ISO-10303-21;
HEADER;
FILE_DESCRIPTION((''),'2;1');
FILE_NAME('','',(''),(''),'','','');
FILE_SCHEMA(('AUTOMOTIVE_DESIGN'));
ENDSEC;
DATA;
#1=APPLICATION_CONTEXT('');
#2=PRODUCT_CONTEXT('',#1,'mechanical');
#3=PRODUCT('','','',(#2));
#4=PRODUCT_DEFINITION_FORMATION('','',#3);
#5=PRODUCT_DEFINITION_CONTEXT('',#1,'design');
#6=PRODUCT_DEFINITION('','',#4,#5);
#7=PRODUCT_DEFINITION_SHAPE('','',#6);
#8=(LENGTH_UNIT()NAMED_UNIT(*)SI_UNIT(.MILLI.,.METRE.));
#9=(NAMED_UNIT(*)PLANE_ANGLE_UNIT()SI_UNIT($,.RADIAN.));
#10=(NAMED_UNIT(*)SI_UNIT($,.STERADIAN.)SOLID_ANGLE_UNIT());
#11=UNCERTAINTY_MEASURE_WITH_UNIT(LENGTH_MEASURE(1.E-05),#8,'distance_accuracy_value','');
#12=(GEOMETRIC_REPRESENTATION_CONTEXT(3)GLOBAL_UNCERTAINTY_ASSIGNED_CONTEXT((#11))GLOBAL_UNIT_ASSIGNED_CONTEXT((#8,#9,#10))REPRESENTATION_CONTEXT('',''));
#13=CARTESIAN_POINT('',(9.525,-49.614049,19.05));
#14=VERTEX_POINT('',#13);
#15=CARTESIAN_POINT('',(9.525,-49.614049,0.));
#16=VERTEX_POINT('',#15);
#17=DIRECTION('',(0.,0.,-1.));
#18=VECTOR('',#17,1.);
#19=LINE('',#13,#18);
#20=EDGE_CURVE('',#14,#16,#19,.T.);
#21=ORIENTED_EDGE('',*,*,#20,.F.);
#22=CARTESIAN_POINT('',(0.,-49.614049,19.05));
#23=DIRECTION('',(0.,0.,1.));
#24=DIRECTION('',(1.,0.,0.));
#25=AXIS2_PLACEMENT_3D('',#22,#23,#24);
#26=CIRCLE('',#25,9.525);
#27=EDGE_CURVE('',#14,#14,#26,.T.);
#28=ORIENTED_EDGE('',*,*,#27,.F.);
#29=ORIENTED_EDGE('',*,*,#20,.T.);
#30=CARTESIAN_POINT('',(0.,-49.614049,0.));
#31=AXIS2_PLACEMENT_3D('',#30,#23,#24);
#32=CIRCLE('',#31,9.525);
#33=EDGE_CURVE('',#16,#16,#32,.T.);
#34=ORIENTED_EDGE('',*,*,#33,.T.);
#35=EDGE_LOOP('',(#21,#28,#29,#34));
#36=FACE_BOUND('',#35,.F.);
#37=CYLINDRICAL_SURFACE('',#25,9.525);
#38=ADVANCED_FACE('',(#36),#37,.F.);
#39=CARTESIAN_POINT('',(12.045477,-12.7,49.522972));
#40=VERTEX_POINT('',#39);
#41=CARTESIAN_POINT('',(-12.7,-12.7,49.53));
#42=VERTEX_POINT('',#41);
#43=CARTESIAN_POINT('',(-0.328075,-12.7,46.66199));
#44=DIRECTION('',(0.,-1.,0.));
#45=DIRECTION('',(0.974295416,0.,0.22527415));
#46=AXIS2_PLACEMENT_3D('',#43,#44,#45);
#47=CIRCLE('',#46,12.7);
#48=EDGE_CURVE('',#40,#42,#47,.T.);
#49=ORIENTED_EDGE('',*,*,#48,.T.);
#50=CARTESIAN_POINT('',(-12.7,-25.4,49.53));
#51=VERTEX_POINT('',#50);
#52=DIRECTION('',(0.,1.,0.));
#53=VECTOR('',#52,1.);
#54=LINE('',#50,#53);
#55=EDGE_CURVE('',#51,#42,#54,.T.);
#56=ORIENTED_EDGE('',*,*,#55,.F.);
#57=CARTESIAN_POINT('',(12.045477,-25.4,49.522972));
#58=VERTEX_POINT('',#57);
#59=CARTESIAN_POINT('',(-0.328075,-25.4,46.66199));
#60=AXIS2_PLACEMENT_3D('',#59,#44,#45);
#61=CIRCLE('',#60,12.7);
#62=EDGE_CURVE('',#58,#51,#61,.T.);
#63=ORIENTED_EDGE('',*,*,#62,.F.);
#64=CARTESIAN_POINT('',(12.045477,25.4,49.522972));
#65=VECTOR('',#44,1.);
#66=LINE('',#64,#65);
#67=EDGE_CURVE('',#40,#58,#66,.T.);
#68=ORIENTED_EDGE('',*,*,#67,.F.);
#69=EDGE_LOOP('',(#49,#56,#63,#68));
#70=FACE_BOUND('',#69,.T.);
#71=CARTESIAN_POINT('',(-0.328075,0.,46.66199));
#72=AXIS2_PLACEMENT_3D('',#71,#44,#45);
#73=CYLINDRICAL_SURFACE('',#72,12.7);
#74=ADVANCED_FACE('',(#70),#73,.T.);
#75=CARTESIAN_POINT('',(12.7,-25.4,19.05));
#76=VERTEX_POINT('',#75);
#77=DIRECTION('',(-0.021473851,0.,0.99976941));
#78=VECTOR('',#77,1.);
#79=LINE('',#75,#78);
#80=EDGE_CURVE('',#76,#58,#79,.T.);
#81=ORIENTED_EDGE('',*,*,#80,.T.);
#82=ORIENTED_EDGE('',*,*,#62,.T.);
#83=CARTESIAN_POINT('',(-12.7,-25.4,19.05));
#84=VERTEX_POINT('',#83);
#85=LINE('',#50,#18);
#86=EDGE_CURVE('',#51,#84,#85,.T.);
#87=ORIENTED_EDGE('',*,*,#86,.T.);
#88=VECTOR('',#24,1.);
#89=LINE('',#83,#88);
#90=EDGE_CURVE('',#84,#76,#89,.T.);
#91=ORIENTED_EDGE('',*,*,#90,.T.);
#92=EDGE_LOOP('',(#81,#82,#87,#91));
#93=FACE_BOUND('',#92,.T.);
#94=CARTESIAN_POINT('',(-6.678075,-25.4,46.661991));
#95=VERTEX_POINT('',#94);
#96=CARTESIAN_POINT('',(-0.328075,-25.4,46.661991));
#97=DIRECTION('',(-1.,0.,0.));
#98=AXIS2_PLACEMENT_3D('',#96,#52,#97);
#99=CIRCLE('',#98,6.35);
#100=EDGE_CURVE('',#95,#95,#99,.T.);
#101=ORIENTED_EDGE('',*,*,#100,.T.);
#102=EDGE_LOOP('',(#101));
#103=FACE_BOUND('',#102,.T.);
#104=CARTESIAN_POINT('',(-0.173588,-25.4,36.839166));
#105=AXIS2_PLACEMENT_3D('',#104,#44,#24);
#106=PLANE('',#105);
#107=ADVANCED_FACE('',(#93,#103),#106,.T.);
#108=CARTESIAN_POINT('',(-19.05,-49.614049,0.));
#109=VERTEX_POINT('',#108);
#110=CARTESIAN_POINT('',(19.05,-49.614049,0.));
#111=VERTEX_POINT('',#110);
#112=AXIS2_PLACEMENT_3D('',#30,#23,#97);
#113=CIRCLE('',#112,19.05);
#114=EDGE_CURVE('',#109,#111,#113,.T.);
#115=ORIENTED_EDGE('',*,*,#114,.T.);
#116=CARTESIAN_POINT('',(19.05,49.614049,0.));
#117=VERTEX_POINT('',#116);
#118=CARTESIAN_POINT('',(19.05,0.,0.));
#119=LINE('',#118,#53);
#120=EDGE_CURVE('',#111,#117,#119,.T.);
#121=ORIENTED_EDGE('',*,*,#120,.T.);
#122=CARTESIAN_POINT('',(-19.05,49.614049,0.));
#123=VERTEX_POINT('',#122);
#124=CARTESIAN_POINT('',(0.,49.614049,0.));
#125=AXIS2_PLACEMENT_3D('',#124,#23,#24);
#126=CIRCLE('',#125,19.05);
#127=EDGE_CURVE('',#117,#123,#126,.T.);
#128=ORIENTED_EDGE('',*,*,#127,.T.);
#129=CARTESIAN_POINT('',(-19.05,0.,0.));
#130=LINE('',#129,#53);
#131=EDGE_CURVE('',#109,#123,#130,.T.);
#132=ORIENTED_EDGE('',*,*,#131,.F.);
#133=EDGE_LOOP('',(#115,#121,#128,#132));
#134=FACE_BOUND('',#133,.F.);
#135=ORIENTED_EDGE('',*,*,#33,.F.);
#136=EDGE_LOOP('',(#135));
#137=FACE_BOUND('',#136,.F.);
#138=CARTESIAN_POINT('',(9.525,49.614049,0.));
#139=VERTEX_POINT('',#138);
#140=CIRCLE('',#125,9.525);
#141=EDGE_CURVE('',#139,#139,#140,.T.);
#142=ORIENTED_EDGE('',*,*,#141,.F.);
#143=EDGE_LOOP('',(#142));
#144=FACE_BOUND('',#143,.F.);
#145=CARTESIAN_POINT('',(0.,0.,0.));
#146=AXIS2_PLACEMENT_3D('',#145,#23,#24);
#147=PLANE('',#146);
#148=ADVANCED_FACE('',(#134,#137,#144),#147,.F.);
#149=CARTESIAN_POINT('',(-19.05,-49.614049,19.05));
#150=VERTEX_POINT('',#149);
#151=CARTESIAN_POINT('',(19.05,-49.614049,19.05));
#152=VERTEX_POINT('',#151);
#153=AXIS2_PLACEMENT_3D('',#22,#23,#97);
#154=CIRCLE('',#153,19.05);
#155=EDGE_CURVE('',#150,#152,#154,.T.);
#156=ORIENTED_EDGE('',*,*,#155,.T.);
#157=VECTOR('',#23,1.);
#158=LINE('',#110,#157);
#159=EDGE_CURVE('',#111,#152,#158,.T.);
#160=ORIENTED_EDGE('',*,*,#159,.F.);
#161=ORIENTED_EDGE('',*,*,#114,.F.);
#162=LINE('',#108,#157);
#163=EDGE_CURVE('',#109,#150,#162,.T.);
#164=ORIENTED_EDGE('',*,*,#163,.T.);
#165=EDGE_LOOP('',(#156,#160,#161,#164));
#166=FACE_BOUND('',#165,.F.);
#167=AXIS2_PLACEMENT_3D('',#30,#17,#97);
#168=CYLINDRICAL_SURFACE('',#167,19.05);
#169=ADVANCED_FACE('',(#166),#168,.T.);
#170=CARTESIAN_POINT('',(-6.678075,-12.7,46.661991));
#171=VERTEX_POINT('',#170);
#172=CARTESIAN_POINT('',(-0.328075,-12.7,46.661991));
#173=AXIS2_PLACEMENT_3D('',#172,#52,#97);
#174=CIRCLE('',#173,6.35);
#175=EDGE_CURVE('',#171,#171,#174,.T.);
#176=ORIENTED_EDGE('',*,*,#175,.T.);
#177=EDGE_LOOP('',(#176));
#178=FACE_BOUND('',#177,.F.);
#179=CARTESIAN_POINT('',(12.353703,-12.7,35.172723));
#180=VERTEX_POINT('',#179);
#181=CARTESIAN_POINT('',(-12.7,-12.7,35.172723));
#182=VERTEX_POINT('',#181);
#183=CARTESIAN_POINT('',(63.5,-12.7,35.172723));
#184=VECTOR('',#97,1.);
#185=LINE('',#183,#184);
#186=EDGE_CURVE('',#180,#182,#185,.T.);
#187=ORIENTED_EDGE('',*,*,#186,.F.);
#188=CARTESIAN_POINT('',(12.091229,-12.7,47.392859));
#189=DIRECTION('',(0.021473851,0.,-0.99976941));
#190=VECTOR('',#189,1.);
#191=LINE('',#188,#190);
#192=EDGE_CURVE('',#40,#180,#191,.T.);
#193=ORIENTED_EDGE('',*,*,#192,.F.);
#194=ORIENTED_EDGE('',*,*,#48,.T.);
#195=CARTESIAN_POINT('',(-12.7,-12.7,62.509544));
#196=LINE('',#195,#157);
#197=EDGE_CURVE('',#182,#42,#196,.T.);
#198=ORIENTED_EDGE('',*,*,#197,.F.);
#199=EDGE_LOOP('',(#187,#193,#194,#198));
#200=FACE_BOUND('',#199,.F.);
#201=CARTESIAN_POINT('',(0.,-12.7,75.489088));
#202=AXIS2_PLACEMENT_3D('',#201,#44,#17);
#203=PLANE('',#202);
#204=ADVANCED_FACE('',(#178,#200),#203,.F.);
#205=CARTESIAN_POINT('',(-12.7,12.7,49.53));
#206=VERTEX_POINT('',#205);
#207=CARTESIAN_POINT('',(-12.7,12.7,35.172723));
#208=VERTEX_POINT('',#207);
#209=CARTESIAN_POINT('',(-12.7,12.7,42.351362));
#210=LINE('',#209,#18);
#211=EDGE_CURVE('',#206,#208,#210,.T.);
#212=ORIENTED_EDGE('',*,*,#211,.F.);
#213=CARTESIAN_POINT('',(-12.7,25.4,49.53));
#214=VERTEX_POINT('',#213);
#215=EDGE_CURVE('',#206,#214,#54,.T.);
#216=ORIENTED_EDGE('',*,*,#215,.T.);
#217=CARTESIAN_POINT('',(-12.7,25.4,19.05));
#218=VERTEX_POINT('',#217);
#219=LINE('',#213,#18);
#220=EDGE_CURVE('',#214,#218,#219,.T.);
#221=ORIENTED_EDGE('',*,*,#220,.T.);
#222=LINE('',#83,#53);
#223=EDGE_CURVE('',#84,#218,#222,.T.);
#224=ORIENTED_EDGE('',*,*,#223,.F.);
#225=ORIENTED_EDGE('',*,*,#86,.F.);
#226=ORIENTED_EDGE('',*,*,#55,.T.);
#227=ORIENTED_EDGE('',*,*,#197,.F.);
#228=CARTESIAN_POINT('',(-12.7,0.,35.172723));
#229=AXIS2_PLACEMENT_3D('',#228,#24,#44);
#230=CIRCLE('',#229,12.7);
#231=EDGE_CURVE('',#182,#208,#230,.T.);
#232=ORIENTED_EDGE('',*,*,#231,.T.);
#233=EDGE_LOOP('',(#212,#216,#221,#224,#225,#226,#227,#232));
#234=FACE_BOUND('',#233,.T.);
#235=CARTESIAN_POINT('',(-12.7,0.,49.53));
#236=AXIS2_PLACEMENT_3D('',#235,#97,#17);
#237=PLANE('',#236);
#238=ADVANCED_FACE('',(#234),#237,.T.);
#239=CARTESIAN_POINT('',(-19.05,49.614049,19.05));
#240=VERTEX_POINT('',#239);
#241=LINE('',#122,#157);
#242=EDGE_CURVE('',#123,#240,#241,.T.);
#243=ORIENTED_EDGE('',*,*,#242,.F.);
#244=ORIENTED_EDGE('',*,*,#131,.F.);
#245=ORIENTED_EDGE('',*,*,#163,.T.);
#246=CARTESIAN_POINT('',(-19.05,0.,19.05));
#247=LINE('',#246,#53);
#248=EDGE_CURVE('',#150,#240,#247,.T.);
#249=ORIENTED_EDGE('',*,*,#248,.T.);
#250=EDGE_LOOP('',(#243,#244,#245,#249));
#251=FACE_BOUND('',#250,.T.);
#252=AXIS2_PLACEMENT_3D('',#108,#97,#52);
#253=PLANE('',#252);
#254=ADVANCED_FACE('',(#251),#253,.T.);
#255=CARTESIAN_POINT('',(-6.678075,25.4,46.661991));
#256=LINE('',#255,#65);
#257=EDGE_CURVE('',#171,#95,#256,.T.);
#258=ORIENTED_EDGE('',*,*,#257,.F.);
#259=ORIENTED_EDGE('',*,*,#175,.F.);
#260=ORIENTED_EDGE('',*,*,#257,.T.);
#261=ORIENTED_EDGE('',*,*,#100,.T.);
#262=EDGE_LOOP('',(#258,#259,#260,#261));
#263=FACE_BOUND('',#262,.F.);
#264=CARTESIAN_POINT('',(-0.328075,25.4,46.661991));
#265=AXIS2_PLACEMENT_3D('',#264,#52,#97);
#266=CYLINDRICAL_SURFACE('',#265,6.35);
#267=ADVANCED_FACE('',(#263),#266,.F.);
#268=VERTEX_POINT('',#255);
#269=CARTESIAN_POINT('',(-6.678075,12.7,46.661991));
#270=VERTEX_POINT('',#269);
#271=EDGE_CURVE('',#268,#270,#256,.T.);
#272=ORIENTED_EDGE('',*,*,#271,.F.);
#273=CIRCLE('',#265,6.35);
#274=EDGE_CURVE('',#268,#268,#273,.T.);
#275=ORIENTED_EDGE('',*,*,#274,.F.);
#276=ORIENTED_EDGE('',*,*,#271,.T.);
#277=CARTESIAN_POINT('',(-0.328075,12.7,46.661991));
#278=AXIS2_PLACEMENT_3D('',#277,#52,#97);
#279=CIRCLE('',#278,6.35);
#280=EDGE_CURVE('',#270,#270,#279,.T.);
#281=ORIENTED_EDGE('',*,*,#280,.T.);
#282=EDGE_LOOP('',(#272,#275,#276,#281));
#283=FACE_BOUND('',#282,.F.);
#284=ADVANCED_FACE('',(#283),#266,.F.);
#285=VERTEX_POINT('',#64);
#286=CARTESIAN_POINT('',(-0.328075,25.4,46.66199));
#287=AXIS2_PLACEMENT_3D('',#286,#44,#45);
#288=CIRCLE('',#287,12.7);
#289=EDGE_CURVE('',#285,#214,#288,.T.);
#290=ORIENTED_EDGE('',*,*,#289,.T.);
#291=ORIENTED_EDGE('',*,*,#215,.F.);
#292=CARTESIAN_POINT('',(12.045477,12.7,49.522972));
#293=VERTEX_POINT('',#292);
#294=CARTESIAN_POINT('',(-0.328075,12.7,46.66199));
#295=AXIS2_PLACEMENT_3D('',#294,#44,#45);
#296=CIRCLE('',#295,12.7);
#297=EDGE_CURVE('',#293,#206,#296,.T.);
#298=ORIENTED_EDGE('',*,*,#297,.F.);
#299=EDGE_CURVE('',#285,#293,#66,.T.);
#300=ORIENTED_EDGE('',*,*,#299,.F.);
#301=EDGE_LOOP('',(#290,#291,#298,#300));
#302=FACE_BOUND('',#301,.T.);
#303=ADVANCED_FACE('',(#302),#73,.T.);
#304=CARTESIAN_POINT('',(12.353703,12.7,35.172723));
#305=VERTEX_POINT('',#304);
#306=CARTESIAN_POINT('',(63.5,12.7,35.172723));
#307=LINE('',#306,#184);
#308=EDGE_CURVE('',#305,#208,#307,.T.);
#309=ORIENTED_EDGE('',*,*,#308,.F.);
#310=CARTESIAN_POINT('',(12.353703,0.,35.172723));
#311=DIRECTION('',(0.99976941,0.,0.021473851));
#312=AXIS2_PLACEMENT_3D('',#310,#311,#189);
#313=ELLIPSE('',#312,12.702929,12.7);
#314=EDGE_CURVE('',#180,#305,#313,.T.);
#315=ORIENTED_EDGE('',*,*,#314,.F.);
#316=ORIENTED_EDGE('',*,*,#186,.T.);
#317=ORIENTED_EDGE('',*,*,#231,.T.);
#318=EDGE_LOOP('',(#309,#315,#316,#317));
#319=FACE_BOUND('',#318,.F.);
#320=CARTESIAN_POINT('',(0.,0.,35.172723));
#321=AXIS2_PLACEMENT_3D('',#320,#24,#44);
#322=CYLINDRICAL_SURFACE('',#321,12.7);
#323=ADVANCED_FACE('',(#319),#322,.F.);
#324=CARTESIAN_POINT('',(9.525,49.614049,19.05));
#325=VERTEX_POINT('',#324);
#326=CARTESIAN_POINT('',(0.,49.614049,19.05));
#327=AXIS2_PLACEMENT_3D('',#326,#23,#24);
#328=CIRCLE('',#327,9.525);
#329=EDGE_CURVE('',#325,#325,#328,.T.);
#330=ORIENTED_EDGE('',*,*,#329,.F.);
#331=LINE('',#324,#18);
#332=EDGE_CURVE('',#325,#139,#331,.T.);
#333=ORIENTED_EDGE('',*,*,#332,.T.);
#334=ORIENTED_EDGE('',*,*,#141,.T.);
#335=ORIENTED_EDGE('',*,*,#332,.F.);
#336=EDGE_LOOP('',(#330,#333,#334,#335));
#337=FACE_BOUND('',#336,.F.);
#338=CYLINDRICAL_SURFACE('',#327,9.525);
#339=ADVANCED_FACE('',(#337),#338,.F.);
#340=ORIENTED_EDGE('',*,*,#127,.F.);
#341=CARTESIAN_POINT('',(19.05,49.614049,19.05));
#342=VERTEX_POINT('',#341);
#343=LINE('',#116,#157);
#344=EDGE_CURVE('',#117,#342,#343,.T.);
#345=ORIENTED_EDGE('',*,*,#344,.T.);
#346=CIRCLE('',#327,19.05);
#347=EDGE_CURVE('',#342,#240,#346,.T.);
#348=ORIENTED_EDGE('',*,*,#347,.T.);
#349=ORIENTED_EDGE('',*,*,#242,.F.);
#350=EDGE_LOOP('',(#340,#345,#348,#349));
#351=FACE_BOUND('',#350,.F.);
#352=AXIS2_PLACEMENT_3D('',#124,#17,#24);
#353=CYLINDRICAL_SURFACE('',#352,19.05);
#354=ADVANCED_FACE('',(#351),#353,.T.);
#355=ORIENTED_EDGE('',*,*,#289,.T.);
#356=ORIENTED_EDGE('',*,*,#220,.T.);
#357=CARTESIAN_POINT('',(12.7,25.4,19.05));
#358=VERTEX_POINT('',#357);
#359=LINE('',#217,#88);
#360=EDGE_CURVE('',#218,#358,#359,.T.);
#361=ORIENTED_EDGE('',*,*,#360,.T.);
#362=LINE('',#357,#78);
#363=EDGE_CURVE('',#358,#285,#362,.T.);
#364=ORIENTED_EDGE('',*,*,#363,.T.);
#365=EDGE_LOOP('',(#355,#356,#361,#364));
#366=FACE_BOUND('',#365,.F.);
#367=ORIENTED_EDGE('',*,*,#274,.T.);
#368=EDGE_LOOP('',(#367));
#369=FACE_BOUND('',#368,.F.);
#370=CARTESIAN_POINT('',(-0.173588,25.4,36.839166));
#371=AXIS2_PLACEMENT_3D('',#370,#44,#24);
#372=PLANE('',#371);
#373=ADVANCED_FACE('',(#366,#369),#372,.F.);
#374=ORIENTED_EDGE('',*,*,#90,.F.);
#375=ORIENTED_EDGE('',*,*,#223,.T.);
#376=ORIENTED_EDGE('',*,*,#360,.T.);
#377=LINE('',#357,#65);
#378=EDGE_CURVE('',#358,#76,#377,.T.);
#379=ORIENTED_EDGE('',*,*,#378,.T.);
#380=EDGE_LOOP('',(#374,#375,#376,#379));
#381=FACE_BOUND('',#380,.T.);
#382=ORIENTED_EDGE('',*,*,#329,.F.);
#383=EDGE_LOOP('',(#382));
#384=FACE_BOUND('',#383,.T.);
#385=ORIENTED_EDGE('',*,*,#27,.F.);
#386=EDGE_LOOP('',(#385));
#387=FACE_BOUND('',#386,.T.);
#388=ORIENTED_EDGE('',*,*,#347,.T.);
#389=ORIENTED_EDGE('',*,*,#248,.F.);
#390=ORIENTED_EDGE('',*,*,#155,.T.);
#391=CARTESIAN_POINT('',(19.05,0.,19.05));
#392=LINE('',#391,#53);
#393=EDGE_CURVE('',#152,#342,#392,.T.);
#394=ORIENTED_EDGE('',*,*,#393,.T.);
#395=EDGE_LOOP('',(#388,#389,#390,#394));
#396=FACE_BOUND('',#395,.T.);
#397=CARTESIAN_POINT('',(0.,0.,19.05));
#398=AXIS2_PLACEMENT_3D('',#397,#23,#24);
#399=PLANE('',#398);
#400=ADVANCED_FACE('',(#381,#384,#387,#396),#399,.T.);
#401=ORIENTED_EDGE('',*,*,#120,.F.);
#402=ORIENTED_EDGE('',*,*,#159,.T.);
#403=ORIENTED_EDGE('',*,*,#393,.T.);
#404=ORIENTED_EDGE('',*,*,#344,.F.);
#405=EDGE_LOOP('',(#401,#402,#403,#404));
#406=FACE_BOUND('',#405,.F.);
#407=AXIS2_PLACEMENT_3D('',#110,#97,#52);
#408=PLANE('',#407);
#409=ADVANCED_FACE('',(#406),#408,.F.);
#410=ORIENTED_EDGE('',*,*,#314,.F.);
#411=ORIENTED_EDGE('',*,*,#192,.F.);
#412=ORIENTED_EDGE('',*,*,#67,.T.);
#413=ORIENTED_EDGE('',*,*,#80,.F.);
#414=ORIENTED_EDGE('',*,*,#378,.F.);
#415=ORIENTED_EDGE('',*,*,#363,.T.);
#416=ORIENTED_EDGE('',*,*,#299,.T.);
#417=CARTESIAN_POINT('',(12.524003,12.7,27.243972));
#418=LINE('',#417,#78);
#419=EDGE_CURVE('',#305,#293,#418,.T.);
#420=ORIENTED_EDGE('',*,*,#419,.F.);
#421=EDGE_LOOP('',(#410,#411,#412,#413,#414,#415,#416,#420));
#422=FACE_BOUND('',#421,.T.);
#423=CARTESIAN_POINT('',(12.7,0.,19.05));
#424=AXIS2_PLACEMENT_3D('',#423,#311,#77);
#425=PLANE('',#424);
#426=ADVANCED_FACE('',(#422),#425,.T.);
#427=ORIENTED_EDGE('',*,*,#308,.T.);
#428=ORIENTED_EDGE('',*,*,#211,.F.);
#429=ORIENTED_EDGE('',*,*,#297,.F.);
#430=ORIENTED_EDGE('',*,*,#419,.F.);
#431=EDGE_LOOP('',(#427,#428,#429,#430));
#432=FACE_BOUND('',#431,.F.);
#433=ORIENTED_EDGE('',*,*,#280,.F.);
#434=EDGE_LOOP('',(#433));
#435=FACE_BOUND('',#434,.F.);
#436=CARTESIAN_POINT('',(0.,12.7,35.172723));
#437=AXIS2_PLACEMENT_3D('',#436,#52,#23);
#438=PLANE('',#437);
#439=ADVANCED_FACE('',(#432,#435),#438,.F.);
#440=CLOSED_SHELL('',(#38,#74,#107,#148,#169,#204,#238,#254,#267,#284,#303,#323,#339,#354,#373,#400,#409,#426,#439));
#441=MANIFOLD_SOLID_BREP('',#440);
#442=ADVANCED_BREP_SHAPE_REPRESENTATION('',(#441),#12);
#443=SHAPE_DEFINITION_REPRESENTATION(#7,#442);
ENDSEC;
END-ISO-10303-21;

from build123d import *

# Parameters (mm, degrees)
F0_W      = 38.1
F0_H      = 99.228098
F1_DEPTH  = 19.05
F2_R      = 9.525
F3_DEPTH  = 127
F5_DEPTH  = 25.4
F6_R      = 6.35
F7_DEPTH  = 127
F9_DEPTH  = 63.5
F10_DEPTH = 127


with BuildPart() as f1:
    # F0 (on Top) → F1 (new body)
    with BuildSketch(Plane.XY):
        Rectangle(F0_W, F0_H)
        with BuildLine():
            Line((-19.05, 49.614049), (19.05, 49.614049))
            ThreePointArc((19.05, 49.614049), (0, 68.664049), (-19.05, 49.614049))
        make_face()
        with BuildLine():
            ThreePointArc((-19.05, -49.614049), (0, -68.664049), (19.05, -49.614049))
            Line((19.05, -49.614049), (-19.05, -49.614049))
        make_face()
    extrude(amount=F1_DEPTH)

    # F2 (on face) → F3 (cut)
    with BuildSketch(Plane.XY.offset(19.05)):
        with Locations((0, 49.614049)):
            Circle(F2_R)
        with Locations((0, -49.614049)):
            Circle(F2_R)
    extrude(amount=-F3_DEPTH, mode=Mode.SUBTRACT)

    # F4 (on Front) → F5 (join, symmetric)
    with BuildSketch(Plane.XZ):
        with BuildLine():
            Line((-12.7, 19.05), (0, 19.05))
            Line((0, 19.05), (12.7, 19.05))
            Line((12.7, 19.05), (12.045477, 49.522972))
            ThreePointArc((12.045477, 49.522972), (-0.324468, 59.36199), (-12.7, 49.53))
            Line((-12.7, 49.53), (-12.7, 19.05))
        make_face()
    extrude(amount=F5_DEPTH, both=True)

    # F6 (on face) → F7 (cut)
    with BuildSketch(Plane(origin=(0, 25.4, 0), x_dir=(-1, 0, 0), z_dir=(0, 1, 0))):
        with Locations((0.328075, 46.661991)):
            Circle(F6_R)
    extrude(amount=-F7_DEPTH, mode=Mode.SUBTRACT)

    # F8 (on Right) → F9 (cut, symmetric)
    with BuildSketch(Plane.YZ):
        with BuildLine():
            Line((12.7, 35.172723), (12.7, 75.489088))
            Line((12.7, 75.489088), (-12.7, 75.489088))
            Line((-12.7, 75.489088), (-12.7, 35.172723))
            ThreePointArc((-12.7, 35.172723), (0, 22.472723), (12.7, 35.172723))
        make_face()
    extrude(amount=F9_DEPTH, both=True, mode=Mode.SUBTRACT)

    # F8 (on Right) → F10 (cut, symmetric)
    with BuildSketch(Plane.YZ):
        with BuildLine():
            Line((12.7, 35.172723), (12.7, 75.489088))
            Line((12.7, 75.489088), (-12.7, 75.489088))
            Line((-12.7, 75.489088), (-12.7, 35.172723))
            ThreePointArc((-12.7, 35.172723), (0, 22.472723), (12.7, 35.172723))
        make_face()
    extrude(amount=F10_DEPTH, both=True, mode=Mode.SUBTRACT)


solid = f1.part
